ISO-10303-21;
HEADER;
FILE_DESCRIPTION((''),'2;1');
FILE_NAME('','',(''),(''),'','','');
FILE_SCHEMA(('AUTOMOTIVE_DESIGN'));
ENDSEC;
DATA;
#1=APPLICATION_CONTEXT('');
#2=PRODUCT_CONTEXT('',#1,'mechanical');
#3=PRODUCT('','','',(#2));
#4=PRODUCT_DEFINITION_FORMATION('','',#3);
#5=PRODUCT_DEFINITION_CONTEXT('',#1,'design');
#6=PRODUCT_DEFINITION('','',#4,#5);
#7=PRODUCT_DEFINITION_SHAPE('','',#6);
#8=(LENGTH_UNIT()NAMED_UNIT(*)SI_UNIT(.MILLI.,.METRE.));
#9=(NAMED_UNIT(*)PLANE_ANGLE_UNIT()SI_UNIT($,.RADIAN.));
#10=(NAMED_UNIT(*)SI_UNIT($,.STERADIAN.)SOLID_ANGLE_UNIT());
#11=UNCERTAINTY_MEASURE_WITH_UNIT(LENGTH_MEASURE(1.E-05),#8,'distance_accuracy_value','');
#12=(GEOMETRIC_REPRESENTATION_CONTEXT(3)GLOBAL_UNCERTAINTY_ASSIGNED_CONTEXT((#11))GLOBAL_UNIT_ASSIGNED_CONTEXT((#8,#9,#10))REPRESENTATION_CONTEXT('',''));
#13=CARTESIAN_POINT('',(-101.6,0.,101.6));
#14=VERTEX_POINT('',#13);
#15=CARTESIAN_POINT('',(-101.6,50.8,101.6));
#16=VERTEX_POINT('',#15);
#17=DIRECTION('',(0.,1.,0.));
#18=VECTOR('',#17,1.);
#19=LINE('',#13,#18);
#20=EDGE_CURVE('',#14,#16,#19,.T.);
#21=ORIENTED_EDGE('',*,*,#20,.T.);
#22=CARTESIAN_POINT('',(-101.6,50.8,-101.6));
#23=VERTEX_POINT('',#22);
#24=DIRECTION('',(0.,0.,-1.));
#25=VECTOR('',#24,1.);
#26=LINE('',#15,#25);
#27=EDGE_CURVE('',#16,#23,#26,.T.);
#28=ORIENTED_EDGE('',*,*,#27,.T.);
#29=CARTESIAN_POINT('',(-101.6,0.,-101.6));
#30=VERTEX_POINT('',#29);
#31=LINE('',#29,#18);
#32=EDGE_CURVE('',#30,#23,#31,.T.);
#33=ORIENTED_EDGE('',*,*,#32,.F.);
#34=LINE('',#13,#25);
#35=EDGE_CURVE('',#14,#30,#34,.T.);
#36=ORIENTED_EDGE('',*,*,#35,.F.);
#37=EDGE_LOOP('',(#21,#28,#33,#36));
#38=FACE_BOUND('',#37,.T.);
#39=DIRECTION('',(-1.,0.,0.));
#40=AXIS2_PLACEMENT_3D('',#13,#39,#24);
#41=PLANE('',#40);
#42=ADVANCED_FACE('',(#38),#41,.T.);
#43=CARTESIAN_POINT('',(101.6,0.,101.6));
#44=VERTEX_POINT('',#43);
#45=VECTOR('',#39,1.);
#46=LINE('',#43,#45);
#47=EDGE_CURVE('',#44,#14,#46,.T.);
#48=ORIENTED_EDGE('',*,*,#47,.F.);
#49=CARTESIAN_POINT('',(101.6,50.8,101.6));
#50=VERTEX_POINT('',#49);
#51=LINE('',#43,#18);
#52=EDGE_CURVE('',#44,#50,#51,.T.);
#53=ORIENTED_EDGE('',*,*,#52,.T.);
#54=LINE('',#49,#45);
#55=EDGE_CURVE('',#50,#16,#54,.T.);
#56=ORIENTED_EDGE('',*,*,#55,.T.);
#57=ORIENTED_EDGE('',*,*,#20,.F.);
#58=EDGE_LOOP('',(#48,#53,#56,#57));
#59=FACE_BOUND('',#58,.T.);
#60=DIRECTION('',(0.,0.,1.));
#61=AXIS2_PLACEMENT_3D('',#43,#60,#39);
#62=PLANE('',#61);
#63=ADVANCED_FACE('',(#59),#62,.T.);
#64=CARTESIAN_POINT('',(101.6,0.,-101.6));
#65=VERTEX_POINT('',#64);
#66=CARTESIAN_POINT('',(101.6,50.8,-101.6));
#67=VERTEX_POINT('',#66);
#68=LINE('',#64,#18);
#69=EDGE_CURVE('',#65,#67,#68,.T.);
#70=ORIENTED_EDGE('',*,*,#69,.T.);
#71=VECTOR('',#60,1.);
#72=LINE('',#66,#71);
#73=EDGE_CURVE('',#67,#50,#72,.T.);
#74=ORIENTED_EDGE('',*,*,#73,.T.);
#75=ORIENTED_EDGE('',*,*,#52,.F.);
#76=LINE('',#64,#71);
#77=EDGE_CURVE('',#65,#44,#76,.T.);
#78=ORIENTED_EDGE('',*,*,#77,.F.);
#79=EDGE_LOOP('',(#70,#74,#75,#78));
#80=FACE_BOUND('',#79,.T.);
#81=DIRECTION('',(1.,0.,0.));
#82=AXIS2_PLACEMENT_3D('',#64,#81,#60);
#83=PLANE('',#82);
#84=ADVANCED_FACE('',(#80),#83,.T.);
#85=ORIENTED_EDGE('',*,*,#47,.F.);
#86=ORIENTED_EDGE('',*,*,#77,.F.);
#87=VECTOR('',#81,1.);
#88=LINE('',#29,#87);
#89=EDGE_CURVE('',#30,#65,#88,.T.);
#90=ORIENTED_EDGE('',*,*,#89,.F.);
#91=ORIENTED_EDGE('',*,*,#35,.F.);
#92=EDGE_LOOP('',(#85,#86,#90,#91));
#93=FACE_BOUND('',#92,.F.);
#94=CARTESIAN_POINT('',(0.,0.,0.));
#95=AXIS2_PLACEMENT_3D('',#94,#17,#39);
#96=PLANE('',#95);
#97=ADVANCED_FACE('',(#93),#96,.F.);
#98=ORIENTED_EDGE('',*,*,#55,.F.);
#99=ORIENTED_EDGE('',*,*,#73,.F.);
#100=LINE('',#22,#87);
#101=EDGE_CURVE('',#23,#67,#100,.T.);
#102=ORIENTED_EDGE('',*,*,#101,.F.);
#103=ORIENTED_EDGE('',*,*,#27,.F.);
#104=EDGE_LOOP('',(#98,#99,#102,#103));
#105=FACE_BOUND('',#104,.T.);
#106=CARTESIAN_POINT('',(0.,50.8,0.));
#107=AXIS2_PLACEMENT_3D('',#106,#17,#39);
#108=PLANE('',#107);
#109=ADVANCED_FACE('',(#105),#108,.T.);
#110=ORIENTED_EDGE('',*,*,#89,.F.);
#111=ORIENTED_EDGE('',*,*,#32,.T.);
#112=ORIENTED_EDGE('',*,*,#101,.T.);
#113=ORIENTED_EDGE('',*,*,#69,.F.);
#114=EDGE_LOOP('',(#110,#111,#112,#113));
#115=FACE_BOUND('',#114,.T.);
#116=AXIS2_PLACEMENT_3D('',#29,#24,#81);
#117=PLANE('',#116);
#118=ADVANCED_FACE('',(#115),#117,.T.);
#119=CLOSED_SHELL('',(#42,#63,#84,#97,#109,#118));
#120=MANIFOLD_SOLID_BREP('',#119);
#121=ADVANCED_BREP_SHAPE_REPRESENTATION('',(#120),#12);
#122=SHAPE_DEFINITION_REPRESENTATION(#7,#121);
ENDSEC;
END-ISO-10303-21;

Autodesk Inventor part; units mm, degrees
ref_plane "YZ Plane" through (0, 0, 0) normal (1, 0, 0) x (0, 1, 0)
ref_plane "XZ Plane" through (0, 0, 0) normal (0, 1, 0) x (-1, 0, 0)
ref_plane "XY Plane" through (0, 0, 0) normal (0, 0, 1) x (1, 0, 0)
sketch "Sketch1" plane through (0, 0, 0) normal (0, 1, 0) x (-1, 0, 0)
  line L0 (101.6, -101.6) -> (-101.6, -101.6)
  line L1 (-101.6, -101.6) -> (-101.6, 101.6)
  line L2 (-101.6, 101.6) -> (101.6, 101.6)
  line L3 (101.6, 101.6) -> (101.6, -101.6)
  line L4 (101.6, -101.6) -> (-101.6, 101.6) construction
  line L5 (-101.6, -101.6) -> (101.6, 101.6) construction
  point P0 (0, 0)
  dimension "d0" = 203.2
  dimension "d1" = 203.2
extrude "Extrusion1" add sketch "Sketch1" along normal blind 50.8
properties part number "8x8x2 - 850" material "Granite, Cut, Polished"
